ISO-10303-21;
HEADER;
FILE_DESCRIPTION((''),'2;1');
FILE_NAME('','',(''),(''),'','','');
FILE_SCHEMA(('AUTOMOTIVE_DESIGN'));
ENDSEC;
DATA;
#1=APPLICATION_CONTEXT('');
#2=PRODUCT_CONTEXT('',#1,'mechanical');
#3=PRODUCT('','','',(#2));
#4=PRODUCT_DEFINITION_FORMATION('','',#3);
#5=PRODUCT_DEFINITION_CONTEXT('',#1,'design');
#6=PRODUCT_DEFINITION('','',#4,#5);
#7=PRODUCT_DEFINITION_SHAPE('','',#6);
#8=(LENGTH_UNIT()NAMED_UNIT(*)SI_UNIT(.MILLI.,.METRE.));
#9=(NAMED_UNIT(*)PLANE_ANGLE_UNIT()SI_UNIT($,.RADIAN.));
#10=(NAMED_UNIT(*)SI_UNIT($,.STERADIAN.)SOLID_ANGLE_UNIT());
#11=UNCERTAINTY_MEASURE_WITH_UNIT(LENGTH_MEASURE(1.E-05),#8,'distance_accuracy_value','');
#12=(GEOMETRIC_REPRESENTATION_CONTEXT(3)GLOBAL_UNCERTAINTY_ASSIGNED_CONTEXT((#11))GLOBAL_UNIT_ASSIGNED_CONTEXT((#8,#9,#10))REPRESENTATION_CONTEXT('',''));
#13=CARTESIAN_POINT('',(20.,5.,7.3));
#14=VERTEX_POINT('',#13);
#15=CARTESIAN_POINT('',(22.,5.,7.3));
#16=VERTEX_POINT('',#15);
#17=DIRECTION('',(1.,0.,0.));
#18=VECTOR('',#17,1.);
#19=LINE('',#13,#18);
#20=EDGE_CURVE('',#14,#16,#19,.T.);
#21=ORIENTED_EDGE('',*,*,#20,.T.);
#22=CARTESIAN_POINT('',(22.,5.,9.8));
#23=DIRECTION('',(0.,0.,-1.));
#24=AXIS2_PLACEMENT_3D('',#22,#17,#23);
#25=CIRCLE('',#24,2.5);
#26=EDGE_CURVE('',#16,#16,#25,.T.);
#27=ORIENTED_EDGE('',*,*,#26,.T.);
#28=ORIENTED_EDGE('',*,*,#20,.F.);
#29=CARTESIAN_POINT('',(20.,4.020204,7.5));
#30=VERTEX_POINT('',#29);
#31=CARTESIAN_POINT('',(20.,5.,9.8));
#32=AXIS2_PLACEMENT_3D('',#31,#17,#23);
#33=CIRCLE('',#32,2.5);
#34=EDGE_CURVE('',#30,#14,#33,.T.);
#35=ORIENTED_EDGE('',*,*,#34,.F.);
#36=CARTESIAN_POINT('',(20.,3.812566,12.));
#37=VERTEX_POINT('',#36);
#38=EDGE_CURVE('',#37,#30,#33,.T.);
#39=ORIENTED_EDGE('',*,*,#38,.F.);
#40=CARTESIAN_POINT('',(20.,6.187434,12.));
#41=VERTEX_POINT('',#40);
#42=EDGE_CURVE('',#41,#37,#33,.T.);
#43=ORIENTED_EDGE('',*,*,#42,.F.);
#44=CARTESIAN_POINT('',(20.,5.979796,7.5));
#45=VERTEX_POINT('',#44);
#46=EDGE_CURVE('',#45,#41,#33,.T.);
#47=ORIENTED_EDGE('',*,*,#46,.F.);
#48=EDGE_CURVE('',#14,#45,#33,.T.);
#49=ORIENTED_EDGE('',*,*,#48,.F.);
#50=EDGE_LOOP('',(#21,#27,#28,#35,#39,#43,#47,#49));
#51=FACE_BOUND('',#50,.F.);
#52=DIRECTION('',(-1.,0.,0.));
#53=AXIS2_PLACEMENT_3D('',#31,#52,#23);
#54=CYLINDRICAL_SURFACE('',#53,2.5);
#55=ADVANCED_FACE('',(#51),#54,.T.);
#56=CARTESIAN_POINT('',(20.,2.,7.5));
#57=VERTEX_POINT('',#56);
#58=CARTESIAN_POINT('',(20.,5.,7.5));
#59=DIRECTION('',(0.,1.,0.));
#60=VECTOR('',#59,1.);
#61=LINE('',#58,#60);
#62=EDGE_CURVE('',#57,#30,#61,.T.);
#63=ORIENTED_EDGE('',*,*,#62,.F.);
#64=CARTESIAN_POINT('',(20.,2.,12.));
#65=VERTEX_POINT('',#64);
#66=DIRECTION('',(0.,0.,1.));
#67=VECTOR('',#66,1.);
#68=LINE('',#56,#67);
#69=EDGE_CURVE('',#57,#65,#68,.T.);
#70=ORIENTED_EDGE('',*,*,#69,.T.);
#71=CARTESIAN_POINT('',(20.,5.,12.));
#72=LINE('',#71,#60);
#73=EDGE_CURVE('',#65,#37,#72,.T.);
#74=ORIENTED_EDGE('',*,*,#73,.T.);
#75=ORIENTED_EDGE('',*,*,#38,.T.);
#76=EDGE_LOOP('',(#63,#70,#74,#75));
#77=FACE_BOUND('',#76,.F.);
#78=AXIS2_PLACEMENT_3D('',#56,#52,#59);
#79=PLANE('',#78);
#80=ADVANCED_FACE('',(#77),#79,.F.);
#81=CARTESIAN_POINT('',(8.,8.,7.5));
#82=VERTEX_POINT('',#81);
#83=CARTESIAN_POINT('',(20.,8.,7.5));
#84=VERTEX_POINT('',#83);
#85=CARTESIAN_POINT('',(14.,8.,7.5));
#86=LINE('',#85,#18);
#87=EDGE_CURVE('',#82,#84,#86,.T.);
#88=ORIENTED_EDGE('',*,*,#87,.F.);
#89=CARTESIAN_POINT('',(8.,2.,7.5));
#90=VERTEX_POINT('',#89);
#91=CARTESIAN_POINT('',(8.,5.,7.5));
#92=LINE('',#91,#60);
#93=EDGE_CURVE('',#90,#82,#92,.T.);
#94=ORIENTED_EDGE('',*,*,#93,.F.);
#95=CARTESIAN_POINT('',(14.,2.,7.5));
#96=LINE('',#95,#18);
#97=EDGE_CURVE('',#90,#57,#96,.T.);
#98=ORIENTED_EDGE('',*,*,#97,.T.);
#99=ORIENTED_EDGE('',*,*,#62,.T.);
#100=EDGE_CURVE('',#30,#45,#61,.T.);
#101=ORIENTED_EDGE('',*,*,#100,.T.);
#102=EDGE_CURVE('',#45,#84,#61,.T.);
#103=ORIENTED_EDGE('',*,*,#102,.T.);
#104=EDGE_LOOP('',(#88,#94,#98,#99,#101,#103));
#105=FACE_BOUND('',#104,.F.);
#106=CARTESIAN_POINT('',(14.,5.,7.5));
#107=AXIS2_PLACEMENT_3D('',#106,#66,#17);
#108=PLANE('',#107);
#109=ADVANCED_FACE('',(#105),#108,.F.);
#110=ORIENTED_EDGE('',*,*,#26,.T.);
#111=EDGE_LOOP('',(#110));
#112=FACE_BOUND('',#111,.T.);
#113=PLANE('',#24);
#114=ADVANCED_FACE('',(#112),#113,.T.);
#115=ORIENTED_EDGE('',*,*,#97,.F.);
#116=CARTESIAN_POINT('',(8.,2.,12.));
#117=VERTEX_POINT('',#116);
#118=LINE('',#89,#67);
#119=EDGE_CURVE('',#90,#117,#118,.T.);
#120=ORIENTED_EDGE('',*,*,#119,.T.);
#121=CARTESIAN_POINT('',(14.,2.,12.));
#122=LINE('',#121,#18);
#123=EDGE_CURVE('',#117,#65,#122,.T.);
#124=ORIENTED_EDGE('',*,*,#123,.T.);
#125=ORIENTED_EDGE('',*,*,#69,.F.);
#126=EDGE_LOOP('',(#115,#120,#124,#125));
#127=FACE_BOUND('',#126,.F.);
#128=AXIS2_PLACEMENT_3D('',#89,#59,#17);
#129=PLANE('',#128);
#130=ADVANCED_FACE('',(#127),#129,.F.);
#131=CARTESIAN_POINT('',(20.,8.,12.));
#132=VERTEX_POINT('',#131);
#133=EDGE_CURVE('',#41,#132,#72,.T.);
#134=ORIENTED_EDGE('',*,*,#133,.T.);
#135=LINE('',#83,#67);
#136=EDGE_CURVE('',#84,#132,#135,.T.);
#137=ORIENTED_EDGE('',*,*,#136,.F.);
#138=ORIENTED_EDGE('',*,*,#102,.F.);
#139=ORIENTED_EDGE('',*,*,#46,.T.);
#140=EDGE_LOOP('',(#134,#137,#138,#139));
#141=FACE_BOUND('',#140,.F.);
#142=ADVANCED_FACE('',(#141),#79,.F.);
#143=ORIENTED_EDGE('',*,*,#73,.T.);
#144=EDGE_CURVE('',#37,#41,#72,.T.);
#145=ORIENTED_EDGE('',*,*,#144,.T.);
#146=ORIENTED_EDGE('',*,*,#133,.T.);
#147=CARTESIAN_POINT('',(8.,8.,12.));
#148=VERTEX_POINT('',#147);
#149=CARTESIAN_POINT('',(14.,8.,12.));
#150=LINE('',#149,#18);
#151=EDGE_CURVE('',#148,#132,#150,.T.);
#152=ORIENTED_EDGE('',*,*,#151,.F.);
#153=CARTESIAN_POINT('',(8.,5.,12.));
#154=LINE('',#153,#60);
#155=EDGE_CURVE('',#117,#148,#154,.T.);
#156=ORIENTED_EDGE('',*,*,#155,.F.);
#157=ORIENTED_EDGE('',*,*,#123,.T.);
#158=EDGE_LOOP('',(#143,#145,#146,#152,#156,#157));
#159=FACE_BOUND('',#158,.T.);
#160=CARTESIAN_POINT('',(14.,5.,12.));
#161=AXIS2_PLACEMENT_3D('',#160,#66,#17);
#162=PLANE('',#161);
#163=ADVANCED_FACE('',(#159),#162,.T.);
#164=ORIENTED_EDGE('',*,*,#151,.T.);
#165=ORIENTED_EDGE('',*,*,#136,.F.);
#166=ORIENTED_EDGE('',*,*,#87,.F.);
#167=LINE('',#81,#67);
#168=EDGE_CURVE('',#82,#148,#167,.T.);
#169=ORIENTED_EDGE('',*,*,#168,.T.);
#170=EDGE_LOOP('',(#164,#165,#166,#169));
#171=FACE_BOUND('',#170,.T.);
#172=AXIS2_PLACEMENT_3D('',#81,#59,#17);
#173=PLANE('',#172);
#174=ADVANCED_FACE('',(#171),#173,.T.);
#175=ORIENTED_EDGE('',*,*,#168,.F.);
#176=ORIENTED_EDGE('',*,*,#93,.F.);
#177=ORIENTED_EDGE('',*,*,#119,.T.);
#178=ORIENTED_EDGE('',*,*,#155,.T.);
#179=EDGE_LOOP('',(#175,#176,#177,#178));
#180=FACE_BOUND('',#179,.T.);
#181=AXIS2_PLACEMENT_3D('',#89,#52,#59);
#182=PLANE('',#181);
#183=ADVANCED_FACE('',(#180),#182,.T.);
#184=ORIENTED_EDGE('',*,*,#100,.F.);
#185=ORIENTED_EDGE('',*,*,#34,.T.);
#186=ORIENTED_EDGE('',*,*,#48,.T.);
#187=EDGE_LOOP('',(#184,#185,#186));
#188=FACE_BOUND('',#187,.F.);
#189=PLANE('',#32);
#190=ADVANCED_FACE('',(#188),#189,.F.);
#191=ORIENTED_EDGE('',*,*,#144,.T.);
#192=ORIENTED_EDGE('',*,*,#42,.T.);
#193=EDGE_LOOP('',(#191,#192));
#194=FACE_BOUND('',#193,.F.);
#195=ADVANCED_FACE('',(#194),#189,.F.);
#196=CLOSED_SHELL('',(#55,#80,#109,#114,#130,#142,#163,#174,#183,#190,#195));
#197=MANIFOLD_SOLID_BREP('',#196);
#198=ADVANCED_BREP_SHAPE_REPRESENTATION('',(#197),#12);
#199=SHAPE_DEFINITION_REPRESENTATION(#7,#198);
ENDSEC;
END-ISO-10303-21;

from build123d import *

# Parameters (mm, degrees)
BOX018_W                = 12
BOX018_H                = 6
BOX018_DEPTH            = 4.5
CYLINDER020_R           = 2.5
CYLINDER020_DEPTH       = 2
CYLINDER020_PITCH_ANGLE = 90


with BuildPart() as aj_body001:
    # Box018 → Box018 (new body)
    with BuildSketch(Plane.XY.offset(18)):
        with Locations((6, 3)):
            Rectangle(BOX018_W, BOX018_H)
    extrude(amount=BOX018_DEPTH)


with BuildPart() as audio_jack001:
    # Cylinder020 → Cylinder020 (new body)
    with BuildSketch(Plane.XY):
        Circle(CYLINDER020_R)
    extrude(amount=CYLINDER020_DEPTH)


with BuildPart() as audio_jack001_1:
    # Cylinder020 pitch: moved
    add(audio_jack001.part.rotate(Axis((0, 0, 0), (0, 1, 0)), CYLINDER020_PITCH_ANGLE))


with BuildPart() as audio_jack001_2:
    # Cylinder020 placement: moved
    add(audio_jack001_1.part.moved(Location((12, 3, 20.3))))

    # Fusion011: union AJ_body001
    add(aj_body001.part)


with BuildPart() as audio_jack001_3:
    # Fusion011 placement: moved
    add(audio_jack001_2.part.moved(Location((8, 2, -10.5))))


solid = audio_jack001_3.part
